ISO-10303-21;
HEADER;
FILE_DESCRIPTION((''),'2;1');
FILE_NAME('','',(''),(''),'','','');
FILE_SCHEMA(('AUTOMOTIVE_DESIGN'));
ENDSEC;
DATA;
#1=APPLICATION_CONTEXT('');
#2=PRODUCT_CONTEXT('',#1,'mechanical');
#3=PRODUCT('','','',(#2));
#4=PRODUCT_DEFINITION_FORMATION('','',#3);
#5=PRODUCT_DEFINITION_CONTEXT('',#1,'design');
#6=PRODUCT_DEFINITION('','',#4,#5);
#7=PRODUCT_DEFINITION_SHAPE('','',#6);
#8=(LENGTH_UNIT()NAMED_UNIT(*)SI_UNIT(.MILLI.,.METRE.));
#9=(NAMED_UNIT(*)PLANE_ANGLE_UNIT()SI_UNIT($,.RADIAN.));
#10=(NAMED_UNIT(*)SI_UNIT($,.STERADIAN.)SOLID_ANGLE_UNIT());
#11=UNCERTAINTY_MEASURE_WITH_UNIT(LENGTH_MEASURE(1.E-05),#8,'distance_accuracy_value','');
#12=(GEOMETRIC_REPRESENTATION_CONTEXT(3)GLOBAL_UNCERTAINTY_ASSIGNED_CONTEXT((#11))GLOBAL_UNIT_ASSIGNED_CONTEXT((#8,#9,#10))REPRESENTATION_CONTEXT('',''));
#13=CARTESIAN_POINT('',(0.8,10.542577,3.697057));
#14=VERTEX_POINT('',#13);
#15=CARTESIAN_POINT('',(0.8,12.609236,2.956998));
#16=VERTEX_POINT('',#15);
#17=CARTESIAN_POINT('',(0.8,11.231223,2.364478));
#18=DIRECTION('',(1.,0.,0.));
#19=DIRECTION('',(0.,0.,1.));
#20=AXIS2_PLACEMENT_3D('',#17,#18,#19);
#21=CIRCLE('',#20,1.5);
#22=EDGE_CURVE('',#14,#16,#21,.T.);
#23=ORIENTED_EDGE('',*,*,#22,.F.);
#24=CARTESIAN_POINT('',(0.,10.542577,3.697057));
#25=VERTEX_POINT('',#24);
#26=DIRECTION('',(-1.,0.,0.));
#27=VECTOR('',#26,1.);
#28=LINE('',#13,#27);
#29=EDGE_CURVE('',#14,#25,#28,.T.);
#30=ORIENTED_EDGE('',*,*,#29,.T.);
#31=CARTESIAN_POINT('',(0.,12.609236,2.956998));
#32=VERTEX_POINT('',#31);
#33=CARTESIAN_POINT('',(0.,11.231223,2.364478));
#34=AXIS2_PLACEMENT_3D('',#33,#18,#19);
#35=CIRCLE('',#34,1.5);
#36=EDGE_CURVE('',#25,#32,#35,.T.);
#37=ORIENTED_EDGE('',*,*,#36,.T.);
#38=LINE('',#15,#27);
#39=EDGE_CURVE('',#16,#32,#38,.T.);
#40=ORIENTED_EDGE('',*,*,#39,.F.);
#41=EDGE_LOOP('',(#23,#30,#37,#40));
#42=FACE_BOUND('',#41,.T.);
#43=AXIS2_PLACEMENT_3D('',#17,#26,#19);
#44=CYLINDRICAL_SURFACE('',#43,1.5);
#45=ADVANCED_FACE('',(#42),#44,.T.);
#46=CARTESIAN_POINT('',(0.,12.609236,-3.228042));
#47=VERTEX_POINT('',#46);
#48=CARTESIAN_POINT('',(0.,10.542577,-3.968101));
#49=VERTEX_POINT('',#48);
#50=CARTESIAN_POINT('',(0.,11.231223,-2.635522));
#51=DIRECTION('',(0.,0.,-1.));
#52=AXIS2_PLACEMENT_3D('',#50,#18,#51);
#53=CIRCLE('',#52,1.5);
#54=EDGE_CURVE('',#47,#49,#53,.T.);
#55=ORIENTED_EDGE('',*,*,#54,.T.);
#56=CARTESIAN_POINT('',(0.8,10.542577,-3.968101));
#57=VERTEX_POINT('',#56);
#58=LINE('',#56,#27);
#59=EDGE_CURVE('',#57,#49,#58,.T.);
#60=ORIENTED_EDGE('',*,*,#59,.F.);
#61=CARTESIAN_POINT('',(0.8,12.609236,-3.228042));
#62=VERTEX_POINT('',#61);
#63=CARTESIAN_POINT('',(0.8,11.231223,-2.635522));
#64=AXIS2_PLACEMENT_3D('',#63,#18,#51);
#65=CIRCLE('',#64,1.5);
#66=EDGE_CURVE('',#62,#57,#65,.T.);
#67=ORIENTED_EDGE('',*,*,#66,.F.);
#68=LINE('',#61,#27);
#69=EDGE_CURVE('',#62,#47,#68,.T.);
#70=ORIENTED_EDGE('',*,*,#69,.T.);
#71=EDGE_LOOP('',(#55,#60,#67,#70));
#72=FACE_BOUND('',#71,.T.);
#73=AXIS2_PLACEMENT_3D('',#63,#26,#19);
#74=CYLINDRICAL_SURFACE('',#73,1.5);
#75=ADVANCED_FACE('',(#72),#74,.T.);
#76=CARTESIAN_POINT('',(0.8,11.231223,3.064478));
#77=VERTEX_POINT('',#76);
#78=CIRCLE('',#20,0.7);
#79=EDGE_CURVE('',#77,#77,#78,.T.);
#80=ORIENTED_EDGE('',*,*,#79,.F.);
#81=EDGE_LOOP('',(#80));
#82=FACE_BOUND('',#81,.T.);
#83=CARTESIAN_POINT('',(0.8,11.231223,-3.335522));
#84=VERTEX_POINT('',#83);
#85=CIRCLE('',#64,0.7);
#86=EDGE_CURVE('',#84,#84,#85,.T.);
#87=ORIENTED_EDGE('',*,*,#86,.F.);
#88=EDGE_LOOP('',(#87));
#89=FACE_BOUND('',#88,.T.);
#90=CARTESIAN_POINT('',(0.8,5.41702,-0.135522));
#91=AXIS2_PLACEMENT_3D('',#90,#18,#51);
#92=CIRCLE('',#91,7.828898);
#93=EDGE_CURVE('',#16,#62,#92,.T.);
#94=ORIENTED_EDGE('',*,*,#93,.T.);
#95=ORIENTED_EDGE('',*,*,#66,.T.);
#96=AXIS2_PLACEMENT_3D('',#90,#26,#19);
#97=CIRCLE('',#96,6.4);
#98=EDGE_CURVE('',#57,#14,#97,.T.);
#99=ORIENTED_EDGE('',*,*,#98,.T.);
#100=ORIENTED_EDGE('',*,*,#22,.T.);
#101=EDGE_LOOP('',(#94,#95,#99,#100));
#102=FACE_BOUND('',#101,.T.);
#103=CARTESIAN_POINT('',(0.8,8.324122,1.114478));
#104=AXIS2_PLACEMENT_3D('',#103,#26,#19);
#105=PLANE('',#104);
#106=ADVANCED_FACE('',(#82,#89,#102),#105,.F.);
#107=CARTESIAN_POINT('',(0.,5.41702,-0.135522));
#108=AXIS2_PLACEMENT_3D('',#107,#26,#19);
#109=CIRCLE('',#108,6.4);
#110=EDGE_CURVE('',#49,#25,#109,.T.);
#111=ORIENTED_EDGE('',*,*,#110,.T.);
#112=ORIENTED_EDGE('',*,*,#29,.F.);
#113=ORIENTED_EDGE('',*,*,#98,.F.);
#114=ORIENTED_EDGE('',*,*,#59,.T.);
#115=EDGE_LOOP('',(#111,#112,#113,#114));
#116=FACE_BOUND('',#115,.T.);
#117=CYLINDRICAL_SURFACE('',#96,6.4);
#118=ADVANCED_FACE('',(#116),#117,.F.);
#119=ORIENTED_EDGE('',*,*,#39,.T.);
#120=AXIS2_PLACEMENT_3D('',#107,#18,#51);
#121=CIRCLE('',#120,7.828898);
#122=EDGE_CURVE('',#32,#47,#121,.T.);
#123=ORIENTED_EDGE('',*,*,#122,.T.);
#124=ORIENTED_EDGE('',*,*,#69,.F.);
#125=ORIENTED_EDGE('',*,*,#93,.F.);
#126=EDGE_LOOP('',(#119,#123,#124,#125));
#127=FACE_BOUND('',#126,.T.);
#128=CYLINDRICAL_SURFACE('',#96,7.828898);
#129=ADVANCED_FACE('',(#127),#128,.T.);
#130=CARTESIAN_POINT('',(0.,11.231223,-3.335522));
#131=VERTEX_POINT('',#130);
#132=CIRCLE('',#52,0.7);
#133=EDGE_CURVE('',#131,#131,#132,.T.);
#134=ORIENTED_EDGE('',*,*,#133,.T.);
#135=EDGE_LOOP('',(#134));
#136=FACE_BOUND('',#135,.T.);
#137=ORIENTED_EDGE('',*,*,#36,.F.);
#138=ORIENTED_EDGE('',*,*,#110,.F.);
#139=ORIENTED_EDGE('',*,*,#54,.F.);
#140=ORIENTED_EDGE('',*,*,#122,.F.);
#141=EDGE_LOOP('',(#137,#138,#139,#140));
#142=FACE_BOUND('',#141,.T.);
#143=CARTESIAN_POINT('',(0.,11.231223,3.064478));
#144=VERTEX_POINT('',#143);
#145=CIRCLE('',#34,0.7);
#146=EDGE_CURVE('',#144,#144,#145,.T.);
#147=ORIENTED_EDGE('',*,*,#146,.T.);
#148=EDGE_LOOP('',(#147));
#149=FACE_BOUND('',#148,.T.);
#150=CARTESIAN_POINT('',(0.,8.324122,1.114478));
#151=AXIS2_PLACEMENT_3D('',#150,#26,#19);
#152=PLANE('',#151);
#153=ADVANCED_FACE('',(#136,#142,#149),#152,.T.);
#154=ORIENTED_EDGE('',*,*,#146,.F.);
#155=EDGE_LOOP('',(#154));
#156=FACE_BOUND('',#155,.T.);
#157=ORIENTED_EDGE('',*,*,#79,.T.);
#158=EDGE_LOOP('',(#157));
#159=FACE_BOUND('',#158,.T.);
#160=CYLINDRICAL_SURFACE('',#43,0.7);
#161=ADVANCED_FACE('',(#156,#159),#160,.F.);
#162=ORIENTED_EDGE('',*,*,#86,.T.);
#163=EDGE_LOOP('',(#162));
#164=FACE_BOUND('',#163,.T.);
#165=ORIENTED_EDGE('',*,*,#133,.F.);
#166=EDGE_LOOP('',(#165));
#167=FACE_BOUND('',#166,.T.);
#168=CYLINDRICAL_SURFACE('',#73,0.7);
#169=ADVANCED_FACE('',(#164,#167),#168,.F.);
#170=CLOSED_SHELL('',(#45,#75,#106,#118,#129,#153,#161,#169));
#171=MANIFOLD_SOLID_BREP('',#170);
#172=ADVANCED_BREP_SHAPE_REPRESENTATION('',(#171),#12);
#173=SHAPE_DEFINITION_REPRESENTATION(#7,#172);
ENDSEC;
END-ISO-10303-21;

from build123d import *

# Parameters (mm, degrees)
SKETCH1_R           = 0.7
BOSS_EXTRUDE1_DEPTH = 0.8


with BuildPart() as part:
    # Sketch1 → Boss-Extrude1 (new body)
    with BuildSketch(Plane(origin=(0, 0, 0), x_dir=(0, 0, -1), z_dir=(1, 0, 0))):
        with BuildLine():
            ThreePointArc((3.228042319, 12.609235821), (1.223335432, 10.725526511), (3.968101377, 10.542577405))
            ThreePointArc((3.968101377, 10.542577405), (0.135522118, -0.982979757), (-3.697057141, 10.542577405))
            ThreePointArc((-3.697057141, 10.542577405), (-0.952291196, 10.725526511), (-2.956998083, 12.609235821))
            ThreePointArc((-2.956998083, 12.609235821), (0.135522118, -2.4118779), (3.228042319, 12.609235821))
        make_face()
        with Locations((2.635522118, 11.231222828)):
            Circle(SKETCH1_R, mode=Mode.SUBTRACT)
        with Locations(Location((-2.364477882, 11.231222828, 0), (0, 0, 180))):
            Circle(SKETCH1_R, mode=Mode.SUBTRACT)
    extrude(amount=BOSS_EXTRUDE1_DEPTH)


solid = part.part
